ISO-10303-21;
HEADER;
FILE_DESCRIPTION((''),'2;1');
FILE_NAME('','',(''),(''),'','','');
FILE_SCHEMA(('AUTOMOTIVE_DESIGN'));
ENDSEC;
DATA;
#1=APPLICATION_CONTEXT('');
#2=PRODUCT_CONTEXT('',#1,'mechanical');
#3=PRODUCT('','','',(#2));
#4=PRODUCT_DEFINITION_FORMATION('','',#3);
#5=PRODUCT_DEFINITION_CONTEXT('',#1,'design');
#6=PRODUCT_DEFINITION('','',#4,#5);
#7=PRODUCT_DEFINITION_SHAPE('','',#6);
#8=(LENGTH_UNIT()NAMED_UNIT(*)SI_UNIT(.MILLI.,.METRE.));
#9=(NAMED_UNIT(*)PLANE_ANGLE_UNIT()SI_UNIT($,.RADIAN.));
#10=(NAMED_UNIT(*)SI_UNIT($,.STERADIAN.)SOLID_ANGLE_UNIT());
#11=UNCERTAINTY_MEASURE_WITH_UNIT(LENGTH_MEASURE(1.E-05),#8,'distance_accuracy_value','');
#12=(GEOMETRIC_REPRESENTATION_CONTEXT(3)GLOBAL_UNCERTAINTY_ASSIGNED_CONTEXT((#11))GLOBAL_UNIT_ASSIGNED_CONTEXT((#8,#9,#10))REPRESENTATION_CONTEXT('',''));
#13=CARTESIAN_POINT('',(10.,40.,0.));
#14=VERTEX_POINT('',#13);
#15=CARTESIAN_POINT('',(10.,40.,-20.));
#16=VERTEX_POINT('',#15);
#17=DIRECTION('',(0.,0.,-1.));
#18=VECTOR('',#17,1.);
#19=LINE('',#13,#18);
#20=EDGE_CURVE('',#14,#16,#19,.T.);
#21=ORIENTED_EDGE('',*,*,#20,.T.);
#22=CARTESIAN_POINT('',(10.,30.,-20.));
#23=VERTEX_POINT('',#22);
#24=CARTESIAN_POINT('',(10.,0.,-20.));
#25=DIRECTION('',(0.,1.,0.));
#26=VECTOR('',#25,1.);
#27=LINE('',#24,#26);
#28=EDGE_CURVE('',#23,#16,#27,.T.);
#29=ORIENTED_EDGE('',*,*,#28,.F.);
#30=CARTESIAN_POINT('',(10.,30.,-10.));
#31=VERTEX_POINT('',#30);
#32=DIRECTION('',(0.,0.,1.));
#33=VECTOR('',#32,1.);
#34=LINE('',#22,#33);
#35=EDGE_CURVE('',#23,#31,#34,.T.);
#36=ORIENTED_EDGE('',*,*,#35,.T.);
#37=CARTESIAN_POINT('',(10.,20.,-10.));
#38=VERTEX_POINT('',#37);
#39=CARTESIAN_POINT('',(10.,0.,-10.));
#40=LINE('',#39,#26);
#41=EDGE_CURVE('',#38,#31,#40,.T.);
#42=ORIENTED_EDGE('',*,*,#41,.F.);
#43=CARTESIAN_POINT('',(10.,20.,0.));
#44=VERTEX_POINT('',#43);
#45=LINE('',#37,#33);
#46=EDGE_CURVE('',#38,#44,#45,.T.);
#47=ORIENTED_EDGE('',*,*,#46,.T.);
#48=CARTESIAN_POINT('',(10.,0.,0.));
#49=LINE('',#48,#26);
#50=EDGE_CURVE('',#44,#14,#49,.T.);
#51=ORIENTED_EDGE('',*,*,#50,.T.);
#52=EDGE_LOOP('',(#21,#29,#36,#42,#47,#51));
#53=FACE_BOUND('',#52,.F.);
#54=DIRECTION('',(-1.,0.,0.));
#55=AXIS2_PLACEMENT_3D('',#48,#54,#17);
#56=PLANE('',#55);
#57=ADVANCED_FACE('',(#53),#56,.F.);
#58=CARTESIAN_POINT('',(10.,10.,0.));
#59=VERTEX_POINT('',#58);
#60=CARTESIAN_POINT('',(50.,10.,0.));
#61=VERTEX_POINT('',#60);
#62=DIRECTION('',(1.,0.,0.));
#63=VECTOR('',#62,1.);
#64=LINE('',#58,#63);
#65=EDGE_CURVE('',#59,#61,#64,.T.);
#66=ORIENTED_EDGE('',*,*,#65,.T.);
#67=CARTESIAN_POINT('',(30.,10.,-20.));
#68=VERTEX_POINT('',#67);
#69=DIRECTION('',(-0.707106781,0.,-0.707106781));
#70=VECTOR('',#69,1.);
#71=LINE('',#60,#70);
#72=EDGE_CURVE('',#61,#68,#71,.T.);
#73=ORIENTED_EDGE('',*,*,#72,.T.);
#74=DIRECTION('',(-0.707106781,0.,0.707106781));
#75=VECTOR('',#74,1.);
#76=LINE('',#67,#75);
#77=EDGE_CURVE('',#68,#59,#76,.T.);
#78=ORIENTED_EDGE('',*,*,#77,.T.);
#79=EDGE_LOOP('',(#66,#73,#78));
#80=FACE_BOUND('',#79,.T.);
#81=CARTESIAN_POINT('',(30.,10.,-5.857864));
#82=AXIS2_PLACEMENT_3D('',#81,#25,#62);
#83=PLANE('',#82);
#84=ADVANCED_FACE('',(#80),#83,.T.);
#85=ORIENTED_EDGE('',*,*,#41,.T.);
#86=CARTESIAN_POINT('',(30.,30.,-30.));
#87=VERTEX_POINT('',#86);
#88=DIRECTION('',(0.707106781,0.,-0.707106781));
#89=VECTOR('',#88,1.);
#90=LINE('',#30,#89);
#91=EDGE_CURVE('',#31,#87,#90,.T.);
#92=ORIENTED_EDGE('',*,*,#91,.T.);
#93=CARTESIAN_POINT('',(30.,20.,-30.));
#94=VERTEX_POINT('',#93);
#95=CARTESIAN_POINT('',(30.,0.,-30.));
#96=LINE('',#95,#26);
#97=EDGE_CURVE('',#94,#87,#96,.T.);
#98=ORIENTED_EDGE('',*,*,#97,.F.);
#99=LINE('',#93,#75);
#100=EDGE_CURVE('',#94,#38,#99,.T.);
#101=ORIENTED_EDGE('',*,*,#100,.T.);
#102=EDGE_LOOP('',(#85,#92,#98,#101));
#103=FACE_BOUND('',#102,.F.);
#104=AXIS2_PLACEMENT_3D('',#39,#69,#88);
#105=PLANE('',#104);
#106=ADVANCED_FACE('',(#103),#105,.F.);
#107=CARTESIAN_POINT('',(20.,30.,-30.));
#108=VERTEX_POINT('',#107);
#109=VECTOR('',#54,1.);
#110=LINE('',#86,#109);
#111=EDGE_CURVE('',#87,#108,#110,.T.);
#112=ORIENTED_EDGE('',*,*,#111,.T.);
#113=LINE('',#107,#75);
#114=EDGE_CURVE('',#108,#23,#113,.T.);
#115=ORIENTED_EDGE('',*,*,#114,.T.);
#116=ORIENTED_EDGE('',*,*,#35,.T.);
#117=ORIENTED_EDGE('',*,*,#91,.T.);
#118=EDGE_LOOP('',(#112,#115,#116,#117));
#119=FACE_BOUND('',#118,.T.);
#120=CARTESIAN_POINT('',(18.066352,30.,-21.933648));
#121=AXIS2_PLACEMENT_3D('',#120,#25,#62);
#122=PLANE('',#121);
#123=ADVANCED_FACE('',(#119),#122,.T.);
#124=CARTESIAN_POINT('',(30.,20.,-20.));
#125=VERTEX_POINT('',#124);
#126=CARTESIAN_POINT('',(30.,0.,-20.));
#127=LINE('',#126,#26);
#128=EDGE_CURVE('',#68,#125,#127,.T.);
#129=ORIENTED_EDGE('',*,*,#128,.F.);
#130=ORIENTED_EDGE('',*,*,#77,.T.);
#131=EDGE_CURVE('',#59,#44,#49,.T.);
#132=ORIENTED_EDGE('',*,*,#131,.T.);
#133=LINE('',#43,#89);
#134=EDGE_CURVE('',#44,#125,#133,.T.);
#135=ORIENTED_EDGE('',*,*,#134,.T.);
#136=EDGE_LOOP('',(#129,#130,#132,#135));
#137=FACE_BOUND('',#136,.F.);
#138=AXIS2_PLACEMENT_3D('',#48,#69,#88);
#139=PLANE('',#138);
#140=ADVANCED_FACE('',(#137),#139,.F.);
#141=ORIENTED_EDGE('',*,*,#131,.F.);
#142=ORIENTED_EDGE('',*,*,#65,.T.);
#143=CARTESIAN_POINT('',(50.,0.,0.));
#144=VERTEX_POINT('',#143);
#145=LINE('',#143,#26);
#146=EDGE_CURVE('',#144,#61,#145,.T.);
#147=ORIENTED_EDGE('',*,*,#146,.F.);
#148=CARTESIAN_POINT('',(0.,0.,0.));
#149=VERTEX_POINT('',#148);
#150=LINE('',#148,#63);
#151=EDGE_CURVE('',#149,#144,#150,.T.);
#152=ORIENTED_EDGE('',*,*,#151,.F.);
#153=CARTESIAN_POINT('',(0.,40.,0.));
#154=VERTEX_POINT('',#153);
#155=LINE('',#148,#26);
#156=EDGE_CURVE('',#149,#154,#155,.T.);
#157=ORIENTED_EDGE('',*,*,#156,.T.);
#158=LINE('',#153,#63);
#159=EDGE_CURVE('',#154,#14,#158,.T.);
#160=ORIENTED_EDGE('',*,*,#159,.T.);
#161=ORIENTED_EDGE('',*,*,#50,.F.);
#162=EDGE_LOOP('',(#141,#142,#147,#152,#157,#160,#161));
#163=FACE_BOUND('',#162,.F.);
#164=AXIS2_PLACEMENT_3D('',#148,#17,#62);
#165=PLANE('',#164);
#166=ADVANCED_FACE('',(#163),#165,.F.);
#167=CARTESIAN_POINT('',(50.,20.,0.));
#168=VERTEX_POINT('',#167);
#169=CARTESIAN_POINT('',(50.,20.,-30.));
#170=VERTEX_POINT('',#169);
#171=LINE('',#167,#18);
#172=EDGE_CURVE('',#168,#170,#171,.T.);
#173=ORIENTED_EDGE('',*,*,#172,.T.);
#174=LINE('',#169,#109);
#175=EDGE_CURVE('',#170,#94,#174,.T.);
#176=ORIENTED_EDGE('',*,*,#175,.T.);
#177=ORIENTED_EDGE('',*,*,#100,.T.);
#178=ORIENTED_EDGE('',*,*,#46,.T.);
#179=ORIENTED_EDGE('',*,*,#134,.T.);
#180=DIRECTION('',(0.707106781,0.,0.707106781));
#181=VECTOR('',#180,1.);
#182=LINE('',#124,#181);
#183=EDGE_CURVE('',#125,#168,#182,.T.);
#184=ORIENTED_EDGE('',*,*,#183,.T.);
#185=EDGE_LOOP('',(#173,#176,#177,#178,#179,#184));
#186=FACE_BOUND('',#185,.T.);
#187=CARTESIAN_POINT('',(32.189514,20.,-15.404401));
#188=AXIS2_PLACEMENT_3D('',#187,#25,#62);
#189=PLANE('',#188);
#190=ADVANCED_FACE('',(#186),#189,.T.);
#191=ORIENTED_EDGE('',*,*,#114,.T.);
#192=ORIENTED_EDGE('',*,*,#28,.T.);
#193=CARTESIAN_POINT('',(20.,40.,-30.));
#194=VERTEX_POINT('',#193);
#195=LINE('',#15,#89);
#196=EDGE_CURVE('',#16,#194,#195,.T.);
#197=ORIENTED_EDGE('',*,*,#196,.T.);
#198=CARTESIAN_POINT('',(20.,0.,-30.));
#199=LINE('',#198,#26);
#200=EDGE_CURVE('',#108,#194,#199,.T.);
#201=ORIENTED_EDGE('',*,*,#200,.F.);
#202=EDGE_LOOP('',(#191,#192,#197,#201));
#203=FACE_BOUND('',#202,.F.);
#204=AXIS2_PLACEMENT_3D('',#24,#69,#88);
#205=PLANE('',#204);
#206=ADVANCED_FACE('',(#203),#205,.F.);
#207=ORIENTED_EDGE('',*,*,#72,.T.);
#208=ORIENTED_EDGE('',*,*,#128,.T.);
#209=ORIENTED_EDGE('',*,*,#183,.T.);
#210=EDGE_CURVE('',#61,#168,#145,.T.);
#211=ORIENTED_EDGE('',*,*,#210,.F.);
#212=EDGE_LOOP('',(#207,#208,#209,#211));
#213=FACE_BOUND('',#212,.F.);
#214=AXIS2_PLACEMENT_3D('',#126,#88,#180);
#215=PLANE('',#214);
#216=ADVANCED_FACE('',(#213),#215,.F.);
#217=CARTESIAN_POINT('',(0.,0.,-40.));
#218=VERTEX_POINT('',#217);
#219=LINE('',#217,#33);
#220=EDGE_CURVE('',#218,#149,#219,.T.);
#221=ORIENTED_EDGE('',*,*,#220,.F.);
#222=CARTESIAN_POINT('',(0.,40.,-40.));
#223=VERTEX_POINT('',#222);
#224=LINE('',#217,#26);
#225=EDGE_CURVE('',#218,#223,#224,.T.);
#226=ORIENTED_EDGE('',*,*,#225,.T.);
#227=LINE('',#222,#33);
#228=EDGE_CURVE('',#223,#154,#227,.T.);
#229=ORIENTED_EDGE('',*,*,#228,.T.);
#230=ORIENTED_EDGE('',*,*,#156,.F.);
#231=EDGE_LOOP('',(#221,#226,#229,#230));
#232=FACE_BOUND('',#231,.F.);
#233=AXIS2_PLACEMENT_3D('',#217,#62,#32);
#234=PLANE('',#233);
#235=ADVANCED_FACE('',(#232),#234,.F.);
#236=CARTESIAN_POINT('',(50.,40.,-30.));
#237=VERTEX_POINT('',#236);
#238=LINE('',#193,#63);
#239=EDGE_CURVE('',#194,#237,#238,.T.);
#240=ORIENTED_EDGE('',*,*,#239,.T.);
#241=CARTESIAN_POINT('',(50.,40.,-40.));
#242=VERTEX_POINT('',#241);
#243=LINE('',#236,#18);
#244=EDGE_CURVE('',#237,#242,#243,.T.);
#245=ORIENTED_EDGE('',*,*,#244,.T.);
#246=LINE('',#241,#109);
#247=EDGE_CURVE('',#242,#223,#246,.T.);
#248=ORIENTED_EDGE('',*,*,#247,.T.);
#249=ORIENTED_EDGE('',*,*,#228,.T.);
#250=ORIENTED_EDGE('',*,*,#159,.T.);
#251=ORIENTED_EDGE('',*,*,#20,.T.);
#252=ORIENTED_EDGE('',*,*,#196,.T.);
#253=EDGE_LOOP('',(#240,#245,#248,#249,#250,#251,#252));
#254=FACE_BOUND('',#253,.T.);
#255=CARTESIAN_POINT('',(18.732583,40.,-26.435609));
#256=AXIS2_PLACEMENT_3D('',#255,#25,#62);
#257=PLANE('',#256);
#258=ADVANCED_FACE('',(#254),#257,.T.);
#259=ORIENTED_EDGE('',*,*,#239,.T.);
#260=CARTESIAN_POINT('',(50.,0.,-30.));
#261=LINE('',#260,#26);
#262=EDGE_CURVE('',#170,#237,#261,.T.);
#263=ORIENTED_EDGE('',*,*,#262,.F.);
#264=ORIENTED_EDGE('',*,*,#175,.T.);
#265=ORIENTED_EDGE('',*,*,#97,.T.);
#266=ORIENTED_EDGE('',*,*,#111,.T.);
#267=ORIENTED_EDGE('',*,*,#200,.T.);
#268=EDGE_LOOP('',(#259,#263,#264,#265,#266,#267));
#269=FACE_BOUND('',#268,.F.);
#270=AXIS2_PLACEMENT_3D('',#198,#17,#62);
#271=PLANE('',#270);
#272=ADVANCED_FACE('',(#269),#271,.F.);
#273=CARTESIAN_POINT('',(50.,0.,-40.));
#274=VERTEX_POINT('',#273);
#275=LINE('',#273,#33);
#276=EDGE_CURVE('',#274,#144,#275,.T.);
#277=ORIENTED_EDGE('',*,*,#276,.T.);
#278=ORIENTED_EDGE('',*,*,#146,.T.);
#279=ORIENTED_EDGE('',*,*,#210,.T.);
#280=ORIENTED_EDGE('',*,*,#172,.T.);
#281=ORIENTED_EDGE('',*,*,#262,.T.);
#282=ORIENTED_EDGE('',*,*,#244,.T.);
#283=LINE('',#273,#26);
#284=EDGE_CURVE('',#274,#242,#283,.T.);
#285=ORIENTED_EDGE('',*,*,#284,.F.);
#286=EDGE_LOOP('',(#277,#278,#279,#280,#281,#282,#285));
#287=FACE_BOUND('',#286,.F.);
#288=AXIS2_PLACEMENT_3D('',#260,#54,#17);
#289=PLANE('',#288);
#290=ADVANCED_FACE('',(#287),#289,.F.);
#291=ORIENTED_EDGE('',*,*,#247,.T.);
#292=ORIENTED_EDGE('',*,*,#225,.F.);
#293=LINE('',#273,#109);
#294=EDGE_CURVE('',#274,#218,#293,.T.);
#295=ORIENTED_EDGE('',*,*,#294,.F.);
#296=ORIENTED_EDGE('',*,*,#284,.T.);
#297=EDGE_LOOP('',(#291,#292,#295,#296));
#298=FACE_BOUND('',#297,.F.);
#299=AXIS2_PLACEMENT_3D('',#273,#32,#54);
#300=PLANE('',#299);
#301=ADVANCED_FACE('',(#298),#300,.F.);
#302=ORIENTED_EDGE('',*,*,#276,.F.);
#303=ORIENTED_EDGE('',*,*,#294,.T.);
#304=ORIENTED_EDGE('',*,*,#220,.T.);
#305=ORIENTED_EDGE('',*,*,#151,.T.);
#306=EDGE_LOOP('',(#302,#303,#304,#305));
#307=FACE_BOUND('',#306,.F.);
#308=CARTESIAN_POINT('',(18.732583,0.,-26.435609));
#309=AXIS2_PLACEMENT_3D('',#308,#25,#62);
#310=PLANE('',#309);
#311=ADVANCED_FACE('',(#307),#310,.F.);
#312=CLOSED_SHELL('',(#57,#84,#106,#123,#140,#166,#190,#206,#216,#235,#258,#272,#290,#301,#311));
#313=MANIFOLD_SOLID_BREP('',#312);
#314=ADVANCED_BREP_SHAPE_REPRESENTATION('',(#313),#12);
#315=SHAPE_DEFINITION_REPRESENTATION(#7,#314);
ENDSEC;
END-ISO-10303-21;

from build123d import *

# Parameters (mm, degrees)
BOSS_EXTRUDE1_DEPTH = 10
BOSS_EXTRUDE2_DEPTH = 20
BOSS_EXTRUDE3_DEPTH = 30
BOSS_EXTRUDE4_DEPTH = 40


with BuildPart() as part:
    # Sketch1 → Boss-Extrude1 (new body)
    with BuildSketch(Plane(origin=(0, 0, 0), x_dir=(1, 0, 0), z_dir=(0, 1, 0))):
        Polygon((30, 20), (10, 0), (50, 0), align=None)
    extrude(amount=BOSS_EXTRUDE1_DEPTH)

    # Sketch1<3> → Boss-Extrude2 (add)
    with BuildSketch(Plane(origin=(0, 0, 0), x_dir=(1, 0, 0), z_dir=(0, 1, 0))):
        Polygon((10, 10), (10, 0), (30, 20), (50, 0), (50, 30), (30, 30), align=None)
    extrude(amount=BOSS_EXTRUDE2_DEPTH)

    # Sketch1<4> → Boss-Extrude3 (add)
    with BuildSketch(Plane(origin=(0, 0, 0), x_dir=(1, 0, 0), z_dir=(0, 1, 0))):
        Polygon((10, 20), (10, 10), (30, 30), (20, 30), align=None)
    extrude(amount=BOSS_EXTRUDE3_DEPTH)

    # Sketch1<5> → Boss-Extrude4 (add)
    with BuildSketch(Plane(origin=(0, 0, 0), x_dir=(1, 0, 0), z_dir=(0, 1, 0))):
        Polygon((0, 40), (0, 0), (10, 0), (10, 10), (10, 20), (20, 30), (30, 30), (50, 30), (50, 40), align=None)
    extrude(amount=BOSS_EXTRUDE4_DEPTH)


solid = part.part
